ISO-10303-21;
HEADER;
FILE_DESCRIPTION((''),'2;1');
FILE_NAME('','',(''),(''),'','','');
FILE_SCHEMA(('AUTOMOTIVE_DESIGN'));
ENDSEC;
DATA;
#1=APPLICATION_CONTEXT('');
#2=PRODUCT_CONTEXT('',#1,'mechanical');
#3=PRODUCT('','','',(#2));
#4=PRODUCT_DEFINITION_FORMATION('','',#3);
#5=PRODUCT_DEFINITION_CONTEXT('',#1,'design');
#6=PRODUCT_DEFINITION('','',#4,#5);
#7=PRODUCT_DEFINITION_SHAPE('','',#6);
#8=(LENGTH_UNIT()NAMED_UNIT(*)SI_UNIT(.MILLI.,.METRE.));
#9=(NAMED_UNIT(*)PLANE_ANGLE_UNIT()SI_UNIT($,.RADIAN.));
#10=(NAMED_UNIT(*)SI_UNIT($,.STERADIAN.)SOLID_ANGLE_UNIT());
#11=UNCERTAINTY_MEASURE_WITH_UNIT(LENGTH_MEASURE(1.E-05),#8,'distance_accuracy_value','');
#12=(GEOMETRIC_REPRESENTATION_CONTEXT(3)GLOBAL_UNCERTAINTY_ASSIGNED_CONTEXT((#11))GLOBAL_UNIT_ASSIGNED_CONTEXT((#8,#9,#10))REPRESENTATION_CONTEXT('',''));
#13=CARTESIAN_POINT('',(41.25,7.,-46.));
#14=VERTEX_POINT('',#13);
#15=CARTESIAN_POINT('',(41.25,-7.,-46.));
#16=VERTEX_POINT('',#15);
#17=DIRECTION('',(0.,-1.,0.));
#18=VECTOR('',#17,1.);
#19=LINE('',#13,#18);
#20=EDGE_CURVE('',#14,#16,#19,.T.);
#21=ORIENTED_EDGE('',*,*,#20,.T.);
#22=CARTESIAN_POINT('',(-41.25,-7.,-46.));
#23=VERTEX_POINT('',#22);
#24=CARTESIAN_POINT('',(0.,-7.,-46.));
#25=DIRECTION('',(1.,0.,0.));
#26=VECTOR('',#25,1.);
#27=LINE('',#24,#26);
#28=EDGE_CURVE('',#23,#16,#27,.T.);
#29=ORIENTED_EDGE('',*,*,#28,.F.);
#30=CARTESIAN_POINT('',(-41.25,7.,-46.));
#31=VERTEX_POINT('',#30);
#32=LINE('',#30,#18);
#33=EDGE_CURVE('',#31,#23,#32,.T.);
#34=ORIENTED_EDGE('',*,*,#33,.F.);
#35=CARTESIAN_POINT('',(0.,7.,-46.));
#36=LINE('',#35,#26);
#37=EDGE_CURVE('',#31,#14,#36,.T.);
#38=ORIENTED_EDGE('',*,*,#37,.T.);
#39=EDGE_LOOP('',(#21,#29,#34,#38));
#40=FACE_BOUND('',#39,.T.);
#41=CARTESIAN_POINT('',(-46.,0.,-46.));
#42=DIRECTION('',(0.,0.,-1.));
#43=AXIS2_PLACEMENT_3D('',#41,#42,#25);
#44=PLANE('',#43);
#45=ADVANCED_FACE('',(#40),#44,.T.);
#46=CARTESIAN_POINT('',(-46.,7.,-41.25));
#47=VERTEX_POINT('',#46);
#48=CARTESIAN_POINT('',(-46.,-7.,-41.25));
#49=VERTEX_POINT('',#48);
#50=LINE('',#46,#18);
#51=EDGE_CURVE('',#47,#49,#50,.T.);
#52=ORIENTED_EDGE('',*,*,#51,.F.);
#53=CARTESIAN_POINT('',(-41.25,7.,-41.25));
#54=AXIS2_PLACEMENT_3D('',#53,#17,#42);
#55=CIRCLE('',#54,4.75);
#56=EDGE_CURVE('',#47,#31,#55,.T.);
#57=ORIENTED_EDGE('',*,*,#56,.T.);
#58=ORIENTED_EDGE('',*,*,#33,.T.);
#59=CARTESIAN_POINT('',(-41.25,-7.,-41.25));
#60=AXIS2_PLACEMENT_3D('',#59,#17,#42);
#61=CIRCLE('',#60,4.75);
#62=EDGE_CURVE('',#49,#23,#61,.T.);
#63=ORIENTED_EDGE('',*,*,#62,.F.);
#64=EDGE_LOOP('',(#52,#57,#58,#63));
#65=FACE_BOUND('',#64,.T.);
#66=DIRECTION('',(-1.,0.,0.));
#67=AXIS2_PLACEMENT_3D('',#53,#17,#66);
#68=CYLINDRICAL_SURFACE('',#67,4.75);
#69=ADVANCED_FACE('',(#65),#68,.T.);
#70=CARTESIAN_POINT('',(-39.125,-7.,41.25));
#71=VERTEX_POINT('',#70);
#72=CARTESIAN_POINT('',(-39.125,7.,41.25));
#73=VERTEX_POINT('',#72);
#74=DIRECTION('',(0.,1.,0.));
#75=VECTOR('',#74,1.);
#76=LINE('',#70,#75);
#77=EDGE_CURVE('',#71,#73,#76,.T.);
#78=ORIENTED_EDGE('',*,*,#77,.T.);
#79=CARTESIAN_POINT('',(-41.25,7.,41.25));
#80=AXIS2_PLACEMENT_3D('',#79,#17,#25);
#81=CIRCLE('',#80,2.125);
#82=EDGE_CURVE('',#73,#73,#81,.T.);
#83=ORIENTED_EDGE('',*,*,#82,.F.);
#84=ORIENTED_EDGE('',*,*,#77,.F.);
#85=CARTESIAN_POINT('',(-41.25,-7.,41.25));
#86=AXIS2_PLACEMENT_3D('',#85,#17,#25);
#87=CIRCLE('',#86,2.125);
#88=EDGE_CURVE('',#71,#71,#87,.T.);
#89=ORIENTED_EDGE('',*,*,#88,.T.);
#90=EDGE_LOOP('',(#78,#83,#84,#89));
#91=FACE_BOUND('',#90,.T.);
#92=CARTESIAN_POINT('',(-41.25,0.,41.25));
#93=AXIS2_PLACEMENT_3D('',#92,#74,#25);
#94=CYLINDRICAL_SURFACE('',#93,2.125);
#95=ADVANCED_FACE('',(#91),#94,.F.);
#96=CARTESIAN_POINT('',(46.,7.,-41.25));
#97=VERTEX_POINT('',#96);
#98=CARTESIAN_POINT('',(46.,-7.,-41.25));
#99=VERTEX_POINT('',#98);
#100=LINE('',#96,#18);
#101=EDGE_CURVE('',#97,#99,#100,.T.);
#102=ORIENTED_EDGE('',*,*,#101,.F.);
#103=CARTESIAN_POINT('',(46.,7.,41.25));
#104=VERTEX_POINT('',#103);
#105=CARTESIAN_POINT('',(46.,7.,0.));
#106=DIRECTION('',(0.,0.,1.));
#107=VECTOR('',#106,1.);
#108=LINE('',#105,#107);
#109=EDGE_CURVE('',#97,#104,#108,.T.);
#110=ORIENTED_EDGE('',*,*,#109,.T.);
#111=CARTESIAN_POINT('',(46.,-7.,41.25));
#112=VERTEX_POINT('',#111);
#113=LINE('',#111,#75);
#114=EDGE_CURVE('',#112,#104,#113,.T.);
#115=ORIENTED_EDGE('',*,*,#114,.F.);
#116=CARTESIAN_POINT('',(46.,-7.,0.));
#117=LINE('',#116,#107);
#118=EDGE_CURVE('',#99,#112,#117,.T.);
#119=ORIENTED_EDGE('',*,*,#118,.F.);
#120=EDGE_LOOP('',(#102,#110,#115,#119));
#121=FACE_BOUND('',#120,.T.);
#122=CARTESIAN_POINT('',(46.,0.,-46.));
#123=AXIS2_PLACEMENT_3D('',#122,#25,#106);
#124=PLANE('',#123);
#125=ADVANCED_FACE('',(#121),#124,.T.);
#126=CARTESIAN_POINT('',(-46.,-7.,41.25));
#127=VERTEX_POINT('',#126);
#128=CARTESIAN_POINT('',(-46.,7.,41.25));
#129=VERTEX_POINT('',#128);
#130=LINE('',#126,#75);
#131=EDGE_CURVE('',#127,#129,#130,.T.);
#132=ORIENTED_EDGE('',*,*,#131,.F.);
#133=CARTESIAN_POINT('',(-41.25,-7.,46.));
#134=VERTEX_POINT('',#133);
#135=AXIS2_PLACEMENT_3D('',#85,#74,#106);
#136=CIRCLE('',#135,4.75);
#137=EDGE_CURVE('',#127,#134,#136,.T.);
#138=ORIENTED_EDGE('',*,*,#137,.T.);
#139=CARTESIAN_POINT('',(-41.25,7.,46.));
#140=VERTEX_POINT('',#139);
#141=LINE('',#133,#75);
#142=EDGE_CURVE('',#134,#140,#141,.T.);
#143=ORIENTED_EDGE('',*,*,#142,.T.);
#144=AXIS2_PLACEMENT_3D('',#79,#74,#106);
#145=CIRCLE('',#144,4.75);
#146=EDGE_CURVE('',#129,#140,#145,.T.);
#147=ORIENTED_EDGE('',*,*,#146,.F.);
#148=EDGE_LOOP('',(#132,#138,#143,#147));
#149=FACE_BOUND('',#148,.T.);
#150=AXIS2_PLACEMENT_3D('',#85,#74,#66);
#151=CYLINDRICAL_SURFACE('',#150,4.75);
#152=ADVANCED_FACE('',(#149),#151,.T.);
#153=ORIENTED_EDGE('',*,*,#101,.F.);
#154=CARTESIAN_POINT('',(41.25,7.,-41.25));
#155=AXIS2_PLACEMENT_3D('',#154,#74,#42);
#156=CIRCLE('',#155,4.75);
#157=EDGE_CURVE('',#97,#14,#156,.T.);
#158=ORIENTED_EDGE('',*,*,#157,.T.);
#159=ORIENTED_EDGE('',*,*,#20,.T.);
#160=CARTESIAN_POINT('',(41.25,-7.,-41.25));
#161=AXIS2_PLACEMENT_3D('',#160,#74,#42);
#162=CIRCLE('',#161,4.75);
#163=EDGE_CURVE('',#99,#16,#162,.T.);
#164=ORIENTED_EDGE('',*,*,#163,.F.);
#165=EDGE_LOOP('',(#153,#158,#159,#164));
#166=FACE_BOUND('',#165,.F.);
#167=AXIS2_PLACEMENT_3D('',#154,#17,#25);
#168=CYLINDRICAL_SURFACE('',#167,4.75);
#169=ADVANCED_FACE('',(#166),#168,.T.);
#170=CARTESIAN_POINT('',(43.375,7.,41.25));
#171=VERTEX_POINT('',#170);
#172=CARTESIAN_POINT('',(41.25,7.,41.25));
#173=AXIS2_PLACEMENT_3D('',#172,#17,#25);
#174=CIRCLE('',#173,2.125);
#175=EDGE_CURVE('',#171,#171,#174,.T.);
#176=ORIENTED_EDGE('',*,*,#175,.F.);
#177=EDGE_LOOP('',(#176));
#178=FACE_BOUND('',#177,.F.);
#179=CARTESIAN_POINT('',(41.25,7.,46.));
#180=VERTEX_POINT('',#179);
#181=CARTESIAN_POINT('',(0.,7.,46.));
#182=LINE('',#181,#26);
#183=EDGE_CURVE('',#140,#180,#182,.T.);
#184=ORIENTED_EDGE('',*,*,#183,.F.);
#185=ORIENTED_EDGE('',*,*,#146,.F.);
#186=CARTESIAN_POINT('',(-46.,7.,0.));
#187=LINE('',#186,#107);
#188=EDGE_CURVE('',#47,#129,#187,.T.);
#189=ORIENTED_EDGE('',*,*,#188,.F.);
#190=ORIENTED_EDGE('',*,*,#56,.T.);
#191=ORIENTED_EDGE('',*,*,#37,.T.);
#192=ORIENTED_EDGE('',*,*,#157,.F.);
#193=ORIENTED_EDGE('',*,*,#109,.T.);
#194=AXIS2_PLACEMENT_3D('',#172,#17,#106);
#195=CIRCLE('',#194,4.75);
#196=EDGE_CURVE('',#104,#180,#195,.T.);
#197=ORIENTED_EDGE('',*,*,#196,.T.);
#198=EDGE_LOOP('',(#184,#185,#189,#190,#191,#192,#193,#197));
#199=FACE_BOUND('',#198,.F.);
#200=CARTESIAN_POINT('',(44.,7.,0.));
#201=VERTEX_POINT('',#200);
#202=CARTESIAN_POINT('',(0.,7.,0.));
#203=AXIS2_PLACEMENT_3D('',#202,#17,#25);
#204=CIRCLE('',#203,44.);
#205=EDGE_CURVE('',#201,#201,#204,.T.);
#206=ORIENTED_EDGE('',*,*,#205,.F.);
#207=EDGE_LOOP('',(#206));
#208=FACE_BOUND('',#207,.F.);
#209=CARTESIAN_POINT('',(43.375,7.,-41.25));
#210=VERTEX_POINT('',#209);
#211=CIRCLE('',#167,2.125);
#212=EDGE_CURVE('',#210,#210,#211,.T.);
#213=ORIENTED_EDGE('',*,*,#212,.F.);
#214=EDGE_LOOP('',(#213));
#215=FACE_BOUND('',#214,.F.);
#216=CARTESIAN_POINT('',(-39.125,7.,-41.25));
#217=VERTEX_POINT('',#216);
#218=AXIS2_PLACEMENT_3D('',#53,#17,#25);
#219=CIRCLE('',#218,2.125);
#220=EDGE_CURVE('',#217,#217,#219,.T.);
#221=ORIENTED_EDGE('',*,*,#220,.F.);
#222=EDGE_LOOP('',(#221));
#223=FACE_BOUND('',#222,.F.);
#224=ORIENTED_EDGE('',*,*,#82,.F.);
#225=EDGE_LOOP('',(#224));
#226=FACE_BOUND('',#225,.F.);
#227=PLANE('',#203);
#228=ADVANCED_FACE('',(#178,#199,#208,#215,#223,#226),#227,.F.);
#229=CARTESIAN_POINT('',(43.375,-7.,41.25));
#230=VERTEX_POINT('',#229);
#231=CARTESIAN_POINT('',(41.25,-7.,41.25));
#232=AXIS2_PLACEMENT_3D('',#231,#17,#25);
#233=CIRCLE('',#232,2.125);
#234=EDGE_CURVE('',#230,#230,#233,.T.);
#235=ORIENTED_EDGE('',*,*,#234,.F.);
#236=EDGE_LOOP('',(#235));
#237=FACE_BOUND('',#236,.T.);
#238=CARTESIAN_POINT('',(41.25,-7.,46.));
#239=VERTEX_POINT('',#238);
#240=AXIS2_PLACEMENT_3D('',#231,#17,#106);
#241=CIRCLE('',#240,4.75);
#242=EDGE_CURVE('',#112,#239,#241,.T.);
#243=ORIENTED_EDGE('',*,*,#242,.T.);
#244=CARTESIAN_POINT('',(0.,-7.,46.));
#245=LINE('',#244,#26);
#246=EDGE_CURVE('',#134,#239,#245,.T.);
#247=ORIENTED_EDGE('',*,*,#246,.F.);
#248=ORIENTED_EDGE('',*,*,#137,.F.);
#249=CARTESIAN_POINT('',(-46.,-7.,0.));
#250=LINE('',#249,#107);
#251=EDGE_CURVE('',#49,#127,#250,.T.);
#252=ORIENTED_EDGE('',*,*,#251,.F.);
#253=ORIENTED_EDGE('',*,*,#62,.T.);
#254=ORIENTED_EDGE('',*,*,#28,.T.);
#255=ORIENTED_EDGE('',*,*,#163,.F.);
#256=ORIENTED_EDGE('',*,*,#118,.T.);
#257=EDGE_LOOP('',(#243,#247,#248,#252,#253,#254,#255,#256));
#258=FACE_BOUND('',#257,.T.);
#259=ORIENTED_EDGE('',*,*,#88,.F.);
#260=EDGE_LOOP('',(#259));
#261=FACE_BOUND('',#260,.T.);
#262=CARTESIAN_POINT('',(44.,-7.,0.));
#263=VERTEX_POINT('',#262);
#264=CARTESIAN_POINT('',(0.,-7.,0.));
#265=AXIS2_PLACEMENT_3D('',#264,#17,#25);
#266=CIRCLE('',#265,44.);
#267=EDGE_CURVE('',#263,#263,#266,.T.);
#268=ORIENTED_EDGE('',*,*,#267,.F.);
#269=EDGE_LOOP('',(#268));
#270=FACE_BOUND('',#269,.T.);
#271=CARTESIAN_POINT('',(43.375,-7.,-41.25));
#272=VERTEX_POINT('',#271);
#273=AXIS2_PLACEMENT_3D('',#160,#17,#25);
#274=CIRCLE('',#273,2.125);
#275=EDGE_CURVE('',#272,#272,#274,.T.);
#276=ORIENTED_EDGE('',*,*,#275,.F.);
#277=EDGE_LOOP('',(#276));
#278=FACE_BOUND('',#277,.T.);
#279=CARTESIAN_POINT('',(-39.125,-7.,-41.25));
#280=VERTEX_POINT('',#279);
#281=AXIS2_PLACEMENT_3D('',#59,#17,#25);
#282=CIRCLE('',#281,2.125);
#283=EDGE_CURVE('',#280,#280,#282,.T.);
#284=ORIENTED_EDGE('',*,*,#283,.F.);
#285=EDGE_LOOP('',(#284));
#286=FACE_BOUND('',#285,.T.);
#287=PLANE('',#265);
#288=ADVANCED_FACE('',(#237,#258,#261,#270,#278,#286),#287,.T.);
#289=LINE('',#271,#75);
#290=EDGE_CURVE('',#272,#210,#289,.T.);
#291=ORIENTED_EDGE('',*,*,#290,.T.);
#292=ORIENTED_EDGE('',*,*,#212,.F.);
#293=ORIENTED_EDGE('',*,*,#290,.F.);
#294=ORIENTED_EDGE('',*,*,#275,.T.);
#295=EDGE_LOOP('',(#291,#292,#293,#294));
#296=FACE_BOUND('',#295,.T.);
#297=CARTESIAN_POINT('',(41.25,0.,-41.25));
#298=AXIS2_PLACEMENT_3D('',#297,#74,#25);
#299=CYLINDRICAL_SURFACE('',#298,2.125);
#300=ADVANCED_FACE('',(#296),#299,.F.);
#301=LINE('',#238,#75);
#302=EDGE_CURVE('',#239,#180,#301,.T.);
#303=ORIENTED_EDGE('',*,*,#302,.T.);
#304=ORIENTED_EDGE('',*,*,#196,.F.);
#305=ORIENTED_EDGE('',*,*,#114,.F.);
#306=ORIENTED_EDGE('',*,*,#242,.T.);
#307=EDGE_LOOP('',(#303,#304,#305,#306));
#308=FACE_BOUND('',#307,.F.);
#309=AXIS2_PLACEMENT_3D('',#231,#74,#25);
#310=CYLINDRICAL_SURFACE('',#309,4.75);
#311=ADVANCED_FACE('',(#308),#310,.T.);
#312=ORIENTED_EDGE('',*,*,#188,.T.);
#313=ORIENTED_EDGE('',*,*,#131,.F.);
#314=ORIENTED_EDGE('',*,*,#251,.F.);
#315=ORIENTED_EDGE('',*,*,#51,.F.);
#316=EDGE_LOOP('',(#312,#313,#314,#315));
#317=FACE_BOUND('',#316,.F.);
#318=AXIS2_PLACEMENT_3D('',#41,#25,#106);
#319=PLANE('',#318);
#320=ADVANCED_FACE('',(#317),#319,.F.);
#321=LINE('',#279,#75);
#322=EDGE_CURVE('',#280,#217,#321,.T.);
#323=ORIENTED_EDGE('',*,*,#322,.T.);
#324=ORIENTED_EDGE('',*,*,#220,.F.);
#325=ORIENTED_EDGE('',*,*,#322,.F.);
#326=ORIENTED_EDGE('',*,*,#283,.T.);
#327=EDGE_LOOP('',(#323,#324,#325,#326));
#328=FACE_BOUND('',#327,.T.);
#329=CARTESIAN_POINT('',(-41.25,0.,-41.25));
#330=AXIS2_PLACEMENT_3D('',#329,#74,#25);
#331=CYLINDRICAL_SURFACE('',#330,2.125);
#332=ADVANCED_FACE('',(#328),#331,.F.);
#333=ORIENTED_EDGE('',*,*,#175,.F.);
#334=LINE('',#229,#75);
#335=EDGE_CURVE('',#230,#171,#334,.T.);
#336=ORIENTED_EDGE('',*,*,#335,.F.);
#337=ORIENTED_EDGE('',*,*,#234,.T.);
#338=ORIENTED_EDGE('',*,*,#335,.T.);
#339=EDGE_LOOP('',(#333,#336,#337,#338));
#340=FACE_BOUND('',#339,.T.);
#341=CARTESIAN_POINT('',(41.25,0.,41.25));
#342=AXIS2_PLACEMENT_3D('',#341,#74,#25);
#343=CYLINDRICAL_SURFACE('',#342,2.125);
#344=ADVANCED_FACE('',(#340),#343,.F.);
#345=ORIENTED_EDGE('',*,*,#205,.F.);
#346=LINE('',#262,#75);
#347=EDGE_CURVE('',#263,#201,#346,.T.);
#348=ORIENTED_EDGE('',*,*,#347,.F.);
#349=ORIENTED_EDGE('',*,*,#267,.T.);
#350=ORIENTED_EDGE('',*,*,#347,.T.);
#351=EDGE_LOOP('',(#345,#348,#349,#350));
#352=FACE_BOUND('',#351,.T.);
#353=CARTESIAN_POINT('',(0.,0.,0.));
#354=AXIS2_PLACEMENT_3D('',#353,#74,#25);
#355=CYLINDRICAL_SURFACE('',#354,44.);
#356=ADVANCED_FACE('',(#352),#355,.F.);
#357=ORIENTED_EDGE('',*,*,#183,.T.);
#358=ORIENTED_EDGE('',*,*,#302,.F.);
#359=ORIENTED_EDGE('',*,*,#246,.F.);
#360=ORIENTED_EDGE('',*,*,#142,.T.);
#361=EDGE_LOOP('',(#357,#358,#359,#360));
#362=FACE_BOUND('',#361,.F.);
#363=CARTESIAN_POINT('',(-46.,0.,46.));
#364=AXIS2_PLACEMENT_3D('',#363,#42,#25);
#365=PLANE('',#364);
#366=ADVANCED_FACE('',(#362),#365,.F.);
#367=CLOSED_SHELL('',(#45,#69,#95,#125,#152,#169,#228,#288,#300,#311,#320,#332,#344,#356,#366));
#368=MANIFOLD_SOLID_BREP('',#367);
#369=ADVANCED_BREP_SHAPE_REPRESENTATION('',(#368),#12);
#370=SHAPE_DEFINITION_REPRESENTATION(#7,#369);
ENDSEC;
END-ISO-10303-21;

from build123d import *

# Parameters (mm, degrees)
F0_W     = 92
F0_H     = 92
F0_R     = 2.125
F0_R_2   = 44
F1_DEPTH = 7
F2_R     = 4.75


with BuildPart() as f1:
    # F0 (on Front) → F1 (new body, symmetric)
    with BuildSketch(Plane.XZ):
        Rectangle(F0_W, F0_H)
        with Locations((-41.25, -41.25)):
            Circle(F0_R, mode=Mode.SUBTRACT)
        with Locations((41.25, -41.25)):
            Circle(F0_R, mode=Mode.SUBTRACT)
        with Locations((-41.25, 41.25)):
            Circle(F0_R, mode=Mode.SUBTRACT)
        Circle(F0_R_2, mode=Mode.SUBTRACT)
        with Locations((41.25, 41.25)):
            Circle(F0_R, mode=Mode.SUBTRACT)
    extrude(amount=F1_DEPTH, both=True)

    # F2
    f2_edges = [f1.edges().sort_by_distance(p)[0] for p in [
        (-46, 0, 46),
        (46, 0, 46),
        (46, 0, -46),
        (-46, 0, -46),
    ]]
    fillet(f2_edges, radius=F2_R)


solid = f1.part
